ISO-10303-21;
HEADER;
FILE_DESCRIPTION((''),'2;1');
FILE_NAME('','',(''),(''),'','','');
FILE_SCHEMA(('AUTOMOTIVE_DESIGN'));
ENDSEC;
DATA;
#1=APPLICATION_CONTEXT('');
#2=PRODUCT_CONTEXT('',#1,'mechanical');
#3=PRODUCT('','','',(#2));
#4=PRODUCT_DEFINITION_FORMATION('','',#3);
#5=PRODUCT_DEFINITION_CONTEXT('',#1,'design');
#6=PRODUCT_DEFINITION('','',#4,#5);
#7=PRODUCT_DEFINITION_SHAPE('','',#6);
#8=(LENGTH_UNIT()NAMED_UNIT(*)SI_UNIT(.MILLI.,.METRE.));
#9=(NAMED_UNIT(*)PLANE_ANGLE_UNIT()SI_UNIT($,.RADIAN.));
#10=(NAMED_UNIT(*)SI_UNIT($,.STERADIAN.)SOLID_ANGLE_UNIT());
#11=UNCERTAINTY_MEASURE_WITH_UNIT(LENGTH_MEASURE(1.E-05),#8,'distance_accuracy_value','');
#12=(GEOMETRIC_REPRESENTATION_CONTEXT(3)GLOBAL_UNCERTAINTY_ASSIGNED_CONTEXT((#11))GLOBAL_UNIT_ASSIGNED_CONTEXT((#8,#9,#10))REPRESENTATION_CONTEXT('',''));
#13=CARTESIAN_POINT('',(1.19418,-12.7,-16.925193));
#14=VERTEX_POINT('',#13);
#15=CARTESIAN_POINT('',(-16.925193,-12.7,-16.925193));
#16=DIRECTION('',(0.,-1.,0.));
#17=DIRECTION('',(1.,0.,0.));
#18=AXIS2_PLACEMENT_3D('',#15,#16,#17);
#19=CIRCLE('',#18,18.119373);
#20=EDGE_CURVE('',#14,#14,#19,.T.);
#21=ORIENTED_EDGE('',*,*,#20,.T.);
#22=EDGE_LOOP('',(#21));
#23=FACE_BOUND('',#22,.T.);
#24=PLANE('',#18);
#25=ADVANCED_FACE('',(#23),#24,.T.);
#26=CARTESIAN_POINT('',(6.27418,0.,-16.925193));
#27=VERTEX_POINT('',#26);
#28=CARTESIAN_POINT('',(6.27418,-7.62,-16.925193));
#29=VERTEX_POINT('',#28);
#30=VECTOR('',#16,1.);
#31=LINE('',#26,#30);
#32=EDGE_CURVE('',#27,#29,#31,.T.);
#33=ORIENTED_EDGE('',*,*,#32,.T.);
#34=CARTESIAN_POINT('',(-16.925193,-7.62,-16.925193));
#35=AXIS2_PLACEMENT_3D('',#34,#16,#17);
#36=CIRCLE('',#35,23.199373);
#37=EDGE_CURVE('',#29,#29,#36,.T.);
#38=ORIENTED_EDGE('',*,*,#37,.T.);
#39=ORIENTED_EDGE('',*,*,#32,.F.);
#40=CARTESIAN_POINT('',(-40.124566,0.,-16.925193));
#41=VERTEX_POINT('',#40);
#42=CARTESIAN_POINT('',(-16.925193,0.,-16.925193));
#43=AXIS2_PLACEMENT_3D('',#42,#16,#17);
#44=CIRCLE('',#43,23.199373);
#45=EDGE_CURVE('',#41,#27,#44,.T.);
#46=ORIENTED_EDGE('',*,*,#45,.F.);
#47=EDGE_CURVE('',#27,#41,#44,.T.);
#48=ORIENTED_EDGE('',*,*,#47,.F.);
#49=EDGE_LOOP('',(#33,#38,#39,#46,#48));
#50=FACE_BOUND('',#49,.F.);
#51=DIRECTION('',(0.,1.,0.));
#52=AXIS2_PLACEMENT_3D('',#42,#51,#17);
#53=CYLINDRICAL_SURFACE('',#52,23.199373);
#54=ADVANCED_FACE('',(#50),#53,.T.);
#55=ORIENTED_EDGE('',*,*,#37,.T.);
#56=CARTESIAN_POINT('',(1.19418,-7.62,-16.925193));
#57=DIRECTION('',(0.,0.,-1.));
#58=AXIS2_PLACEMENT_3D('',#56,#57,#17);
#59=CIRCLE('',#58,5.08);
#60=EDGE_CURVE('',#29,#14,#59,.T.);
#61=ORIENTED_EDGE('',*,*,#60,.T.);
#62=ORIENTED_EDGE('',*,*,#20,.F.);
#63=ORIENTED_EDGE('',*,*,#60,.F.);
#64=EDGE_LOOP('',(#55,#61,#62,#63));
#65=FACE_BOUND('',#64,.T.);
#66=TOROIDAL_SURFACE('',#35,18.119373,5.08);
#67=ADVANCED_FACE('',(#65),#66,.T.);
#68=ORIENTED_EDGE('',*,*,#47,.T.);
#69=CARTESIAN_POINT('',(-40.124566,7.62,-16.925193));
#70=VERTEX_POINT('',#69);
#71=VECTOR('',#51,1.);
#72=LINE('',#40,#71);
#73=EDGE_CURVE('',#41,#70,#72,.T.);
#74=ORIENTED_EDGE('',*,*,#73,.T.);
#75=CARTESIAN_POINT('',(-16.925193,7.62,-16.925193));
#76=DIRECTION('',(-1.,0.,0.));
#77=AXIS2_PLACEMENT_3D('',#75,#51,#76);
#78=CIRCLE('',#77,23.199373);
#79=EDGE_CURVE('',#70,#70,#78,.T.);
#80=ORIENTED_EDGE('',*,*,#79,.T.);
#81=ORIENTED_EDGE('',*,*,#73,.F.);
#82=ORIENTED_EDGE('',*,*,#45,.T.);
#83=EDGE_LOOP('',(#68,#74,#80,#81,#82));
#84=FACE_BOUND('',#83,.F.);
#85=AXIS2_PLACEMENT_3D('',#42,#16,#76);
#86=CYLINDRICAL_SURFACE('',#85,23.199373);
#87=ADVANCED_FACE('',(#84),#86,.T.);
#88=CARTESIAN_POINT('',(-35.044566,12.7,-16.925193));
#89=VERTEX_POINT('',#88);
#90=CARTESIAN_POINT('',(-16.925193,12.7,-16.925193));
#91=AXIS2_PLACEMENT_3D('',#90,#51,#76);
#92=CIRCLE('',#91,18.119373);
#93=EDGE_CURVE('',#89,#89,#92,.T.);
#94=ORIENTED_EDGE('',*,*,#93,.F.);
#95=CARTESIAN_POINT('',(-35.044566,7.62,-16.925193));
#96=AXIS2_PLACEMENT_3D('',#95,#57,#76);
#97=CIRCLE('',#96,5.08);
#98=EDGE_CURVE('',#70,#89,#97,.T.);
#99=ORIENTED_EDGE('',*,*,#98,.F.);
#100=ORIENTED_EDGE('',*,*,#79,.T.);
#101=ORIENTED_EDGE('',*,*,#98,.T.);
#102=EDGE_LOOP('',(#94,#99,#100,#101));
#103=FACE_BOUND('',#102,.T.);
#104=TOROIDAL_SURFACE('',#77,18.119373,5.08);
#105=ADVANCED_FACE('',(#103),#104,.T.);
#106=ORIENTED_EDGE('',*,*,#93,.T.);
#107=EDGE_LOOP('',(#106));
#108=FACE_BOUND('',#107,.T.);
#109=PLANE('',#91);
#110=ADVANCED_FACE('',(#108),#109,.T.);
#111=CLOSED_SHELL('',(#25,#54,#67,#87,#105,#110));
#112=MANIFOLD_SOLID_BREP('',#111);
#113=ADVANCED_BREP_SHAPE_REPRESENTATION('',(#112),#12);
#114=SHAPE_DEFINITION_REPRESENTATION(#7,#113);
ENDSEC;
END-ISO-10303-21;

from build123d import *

# Parameters (mm, degrees)
F0_R     = 23.199373
F1_DEPTH = 12.7
F2_R     = 23.199373
F3_DEPTH = 12.7
F4_R     = 5.08


with BuildPart() as f1:
    # F0 (on Front) → F1 (new body)
    with BuildSketch(Plane.XZ):
        with Locations((-16.925193, -16.925193)):
            Circle(F0_R)
    extrude(amount=F1_DEPTH)

    # F2 (on face) → F3 (join)
    with BuildSketch(Plane(origin=(0, 0, 0), x_dir=(-1, 0, 0), z_dir=(0, 1, 0))):
        with Locations((16.925193, -16.925193)):
            Circle(F2_R)
    extrude(amount=F3_DEPTH)

    # F4
    f4_edges = [f1.edges().sort_by_distance(p)[0] for p in [
        (6.274179, 12.7, -16.925193),
        (-16.925193, 0, 6.274179),
        (-16.925193, 0, -40.124566),
        (6.274179, -6.35, -16.925193),
        (-40.124566, -12.7, -16.925193),
        (-40.124566, 6.35, -16.925193),
    ]]
    fillet(f4_edges, radius=F4_R)


solid = f1.part
